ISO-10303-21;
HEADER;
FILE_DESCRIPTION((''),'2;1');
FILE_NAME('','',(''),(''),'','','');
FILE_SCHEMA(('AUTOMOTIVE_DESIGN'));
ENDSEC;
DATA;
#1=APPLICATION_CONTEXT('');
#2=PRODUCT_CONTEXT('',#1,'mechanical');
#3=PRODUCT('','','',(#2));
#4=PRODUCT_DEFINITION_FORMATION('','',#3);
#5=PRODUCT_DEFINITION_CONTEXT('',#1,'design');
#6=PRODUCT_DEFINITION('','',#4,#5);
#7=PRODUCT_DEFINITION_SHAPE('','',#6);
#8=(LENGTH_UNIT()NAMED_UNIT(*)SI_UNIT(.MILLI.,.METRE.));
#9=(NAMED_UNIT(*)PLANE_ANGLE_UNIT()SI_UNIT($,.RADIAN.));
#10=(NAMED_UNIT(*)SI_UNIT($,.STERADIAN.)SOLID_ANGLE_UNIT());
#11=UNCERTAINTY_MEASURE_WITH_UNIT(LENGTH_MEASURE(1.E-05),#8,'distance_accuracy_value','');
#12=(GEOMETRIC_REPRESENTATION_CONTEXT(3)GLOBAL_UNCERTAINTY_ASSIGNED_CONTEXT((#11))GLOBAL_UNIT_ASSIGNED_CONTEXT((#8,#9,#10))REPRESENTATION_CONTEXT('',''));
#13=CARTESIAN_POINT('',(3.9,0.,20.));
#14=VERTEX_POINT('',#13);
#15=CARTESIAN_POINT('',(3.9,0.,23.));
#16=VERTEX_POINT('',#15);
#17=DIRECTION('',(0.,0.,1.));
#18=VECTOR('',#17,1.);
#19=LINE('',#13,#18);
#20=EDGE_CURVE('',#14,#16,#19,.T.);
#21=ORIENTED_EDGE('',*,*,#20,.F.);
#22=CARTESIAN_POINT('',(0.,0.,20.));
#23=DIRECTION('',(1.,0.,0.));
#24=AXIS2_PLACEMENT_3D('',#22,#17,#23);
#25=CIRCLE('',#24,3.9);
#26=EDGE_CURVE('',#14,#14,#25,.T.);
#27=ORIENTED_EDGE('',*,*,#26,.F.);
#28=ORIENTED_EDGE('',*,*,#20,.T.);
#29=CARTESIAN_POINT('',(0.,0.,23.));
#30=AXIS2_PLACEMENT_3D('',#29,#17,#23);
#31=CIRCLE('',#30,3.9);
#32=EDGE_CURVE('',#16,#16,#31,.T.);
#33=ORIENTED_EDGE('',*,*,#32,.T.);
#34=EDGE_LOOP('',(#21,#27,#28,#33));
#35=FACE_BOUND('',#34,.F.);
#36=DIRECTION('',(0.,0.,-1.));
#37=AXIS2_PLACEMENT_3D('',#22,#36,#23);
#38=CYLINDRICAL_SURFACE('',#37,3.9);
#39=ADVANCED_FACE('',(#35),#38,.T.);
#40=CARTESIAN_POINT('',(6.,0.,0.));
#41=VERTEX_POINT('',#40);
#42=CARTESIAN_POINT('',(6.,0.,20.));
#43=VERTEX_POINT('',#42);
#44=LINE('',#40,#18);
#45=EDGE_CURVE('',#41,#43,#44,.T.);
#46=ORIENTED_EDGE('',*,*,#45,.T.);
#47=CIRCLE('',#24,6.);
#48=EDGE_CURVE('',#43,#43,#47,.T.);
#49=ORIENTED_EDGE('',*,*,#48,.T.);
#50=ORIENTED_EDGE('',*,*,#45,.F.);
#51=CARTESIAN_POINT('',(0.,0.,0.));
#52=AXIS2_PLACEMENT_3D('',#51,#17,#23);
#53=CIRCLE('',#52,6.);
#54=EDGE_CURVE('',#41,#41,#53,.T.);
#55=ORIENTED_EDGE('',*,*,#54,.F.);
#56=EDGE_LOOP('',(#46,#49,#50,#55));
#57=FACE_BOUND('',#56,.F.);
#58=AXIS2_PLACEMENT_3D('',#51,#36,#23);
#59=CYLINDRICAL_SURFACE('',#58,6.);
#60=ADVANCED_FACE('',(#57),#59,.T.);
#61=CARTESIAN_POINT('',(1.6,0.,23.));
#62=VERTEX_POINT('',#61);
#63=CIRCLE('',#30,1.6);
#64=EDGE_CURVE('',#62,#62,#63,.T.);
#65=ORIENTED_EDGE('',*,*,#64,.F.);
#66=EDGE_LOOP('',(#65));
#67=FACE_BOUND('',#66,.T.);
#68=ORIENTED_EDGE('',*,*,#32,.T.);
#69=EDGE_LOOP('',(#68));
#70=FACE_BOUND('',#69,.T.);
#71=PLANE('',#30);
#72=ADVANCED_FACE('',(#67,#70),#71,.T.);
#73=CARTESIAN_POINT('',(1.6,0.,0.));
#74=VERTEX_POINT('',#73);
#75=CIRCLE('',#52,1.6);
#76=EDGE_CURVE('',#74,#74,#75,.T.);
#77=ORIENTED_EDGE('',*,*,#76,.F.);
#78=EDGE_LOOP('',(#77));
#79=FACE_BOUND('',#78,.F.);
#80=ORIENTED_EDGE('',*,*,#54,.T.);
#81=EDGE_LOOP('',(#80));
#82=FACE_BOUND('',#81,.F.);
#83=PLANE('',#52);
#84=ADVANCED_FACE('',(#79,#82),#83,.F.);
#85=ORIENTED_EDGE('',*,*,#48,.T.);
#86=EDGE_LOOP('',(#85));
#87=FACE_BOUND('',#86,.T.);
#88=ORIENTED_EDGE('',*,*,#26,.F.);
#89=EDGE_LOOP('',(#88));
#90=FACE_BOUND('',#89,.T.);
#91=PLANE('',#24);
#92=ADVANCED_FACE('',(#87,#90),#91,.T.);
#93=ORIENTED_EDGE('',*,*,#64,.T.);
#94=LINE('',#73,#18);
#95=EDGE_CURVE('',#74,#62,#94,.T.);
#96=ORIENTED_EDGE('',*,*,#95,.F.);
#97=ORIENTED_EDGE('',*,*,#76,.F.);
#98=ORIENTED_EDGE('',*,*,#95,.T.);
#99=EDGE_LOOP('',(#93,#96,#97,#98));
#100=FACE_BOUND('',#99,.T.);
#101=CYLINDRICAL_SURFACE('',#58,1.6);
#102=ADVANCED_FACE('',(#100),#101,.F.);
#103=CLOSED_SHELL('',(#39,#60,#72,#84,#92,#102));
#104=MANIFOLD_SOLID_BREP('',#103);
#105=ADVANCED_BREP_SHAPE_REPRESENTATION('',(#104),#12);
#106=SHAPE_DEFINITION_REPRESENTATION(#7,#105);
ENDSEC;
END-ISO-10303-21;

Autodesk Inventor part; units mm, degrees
ref_plane "YZ Plane" through (0, 0, 0) normal (1, 0, 0) x (0, 1, 0)
ref_plane "XZ Plane" through (0, 0, 0) normal (0, 1, 0) x (-1, 0, 0)
ref_plane "XY Plane" through (0, 0, 0) normal (0, 0, 1) x (1, 0, 0)
sketch "Sketch1" plane through (0, 0, 0) normal (0, 0, 1) x (1, 0, 0)
  circle A0 centre (0, 0) radius 1.6
  circle A1 centre (0, 0) radius 6
  dimension "d0" = 3.2
  dimension "d1" = 12
extrude "Extrusion1" add sketch "Sketch1" along normal blind 20
sketch "Sketch2" plane through (0, 0, 20) normal (0, 0, 1) x (1, 0, 0)
  circle A0 centre (0, 0) radius 1.6 projected
  circle A1 centre (0, 0) radius 3.9
  dimension "d4" = 7.8
extrude "Extrusion2" add sketch "Sketch2" along normal blind 3
properties part number "spacer"
